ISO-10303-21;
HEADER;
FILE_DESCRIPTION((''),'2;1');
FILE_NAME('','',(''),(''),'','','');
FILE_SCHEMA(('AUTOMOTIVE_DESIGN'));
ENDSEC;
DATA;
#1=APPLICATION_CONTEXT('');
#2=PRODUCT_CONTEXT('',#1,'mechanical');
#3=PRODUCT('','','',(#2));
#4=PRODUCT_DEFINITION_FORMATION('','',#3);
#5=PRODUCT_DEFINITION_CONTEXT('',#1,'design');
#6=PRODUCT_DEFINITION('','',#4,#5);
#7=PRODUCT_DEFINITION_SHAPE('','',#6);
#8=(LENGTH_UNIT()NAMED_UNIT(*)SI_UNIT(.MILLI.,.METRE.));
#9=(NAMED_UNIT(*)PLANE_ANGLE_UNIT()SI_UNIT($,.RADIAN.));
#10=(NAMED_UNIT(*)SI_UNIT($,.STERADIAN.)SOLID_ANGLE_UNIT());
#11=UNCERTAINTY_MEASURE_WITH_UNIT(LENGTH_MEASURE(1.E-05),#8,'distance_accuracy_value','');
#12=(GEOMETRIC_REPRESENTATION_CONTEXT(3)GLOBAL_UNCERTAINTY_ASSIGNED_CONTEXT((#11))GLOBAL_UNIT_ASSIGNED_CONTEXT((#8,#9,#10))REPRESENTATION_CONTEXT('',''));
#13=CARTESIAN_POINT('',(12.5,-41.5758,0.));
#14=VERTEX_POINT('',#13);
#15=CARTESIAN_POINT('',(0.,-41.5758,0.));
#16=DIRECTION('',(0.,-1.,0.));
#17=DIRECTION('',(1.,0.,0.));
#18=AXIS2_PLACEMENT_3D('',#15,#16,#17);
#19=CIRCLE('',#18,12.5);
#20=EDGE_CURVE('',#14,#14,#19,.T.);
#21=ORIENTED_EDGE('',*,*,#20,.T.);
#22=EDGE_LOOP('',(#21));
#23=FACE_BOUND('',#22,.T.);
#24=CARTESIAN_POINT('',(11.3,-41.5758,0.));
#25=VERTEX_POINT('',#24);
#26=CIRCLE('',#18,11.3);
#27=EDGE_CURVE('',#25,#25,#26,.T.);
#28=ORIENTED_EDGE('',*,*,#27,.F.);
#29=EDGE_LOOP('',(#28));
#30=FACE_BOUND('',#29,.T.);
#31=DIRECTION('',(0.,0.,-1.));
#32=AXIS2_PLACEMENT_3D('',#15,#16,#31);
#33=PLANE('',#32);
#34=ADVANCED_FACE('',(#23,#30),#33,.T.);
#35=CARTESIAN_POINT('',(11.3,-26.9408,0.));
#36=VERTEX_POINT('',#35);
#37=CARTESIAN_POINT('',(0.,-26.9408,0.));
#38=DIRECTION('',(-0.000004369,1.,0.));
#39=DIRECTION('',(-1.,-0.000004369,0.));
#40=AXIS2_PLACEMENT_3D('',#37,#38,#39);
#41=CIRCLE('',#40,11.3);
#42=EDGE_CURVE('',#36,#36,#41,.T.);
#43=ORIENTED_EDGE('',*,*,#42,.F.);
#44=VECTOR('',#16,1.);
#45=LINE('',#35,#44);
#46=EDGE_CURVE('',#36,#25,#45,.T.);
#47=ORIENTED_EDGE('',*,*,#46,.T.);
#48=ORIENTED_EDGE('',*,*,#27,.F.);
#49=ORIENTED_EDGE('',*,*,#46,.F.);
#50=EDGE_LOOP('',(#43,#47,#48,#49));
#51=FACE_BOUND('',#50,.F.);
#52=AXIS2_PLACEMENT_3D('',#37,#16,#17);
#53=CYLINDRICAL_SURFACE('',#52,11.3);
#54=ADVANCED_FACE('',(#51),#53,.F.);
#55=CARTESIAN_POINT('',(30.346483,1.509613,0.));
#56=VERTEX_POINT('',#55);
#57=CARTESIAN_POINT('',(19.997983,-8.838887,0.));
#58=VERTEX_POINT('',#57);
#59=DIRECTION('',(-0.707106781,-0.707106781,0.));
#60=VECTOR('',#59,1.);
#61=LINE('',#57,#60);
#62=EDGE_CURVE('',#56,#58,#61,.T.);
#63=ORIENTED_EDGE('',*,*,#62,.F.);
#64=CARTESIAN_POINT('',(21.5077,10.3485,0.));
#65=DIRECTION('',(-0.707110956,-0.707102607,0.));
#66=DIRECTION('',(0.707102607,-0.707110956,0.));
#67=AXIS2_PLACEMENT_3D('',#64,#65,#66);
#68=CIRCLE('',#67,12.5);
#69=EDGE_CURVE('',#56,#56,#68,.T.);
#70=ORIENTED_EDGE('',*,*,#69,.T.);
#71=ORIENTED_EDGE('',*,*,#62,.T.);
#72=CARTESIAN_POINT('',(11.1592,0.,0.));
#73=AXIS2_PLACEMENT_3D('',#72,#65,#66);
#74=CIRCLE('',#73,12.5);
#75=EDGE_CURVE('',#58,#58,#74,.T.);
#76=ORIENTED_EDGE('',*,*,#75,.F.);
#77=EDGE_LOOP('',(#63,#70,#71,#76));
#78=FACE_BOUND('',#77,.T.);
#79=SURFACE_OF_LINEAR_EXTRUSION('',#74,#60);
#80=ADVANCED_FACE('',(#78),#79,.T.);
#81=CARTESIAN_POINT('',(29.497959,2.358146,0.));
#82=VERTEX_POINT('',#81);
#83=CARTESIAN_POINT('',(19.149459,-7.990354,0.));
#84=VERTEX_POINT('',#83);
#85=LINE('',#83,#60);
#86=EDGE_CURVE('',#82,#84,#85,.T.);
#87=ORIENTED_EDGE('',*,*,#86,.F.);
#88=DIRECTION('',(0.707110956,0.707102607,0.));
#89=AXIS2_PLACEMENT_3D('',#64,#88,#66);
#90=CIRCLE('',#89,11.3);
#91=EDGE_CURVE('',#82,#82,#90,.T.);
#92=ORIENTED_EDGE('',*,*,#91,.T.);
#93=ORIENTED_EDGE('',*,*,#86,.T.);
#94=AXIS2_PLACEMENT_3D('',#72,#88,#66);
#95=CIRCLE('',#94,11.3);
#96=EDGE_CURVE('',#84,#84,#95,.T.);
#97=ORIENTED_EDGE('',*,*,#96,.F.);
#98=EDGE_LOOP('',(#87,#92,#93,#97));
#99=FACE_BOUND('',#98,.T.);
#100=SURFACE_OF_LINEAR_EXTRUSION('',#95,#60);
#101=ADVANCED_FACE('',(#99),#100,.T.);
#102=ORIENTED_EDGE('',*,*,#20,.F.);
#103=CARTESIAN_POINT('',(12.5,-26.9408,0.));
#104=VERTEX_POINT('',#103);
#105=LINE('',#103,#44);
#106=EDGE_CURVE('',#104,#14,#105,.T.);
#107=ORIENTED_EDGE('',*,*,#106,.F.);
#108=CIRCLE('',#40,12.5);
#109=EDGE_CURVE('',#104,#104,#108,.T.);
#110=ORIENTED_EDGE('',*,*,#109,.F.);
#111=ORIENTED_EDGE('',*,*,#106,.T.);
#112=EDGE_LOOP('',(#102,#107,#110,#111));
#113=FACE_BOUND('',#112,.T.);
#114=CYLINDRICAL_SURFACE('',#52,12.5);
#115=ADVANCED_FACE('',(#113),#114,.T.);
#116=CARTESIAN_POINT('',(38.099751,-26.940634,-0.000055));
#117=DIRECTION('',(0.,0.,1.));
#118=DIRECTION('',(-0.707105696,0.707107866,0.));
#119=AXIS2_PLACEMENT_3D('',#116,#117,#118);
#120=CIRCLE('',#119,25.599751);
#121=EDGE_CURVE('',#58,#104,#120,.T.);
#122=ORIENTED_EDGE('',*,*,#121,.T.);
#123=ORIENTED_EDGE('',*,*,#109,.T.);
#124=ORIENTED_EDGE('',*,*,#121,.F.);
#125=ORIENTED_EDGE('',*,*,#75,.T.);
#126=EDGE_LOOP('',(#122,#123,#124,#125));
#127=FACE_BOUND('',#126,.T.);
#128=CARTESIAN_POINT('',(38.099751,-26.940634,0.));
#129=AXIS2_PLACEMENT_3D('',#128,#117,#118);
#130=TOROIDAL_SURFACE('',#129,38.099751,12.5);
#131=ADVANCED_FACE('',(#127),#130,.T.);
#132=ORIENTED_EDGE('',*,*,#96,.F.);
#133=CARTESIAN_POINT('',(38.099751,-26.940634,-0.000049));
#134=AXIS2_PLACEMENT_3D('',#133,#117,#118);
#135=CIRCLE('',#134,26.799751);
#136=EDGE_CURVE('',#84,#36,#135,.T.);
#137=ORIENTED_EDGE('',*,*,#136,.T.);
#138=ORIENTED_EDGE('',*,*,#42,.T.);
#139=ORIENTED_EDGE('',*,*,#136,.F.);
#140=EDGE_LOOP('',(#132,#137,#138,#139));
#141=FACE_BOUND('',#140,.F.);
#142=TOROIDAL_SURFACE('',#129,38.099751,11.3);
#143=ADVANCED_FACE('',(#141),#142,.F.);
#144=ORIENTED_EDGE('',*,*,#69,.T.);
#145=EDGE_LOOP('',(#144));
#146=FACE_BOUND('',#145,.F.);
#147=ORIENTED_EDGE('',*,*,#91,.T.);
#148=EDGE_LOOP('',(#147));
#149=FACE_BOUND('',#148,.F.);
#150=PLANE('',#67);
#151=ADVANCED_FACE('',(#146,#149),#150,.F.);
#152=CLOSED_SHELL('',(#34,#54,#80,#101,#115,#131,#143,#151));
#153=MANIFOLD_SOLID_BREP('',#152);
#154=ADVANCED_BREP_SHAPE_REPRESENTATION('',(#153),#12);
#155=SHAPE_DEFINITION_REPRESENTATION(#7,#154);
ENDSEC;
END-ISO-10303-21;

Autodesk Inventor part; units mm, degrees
ref_plane "YZ Plane" through (0, 0, 0) normal (1, 0, 0) x (0, 1, 0)
ref_plane "XZ Plane" through (0, 0, 0) normal (0, 1, 0) x (-1, 0, 0)
sketch "Szkic6" plane through (0, 0, 0) normal (0, 0, 1) x (1, 0, 0)
  line L0 (-29.6067, 0) -> (35.2678, 0) construction
  line L1 (0, 42.3419) -> (0, -58.3726) construction
  arc A0 (11.1592, 0) -> (0, -26.9408) centre (38.1, -26.9408) ccw
  line L2 (0, -26.9408) -> (38.1, -26.9408) construction
  line L3 (38.1, -26.9408) -> (-8.2389, 19.3981) construction
  line L4 (11.1592, 0) -> (21.5077, 10.3485)
  line L5 (0, -26.9408) -> (0, -41.5758)
  point P0 (0, 0)
  dimension "d24" = 38.1
  dimension "d31" = 45
  dimension "d36" = 14.635
  dimension "d37" = 14.635
ref_plane "Płaszczyzna konstrukcyjna2" through (0, -26.9408, 0) normal (0, -1, 0) x (1, 0, 0)
sketch "Szkic8" plane through (0, -26.9408, 0) normal (0, -1, 0) x (1, 0, 0)
  circle A0 centre (0, 0) radius 12.5
  circle A1 centre (0, 0) radius 11.3
  dimension "d32" = 25
  dimension "d33" = 1.2
sweep "Przeciągnięcie2" add profiles "Szkic8" path "Szkic6"
equation "\"d32\" = OD"
equation "\"d33\" = THK"
equation "\"d24\" = R"
equation "\"d31\" = KAT"
equation "\"d36\" = PROSTKA"
equation "\"d37\" = PROSTKA"
equation "\"SzerokośćGięciaPodcięcia\" = Grubość"
equation "\"RozmiarPodcięciaNarożnika\" = 4 * Grubość"
equation "\"PromieńPrzejścia\" = PromieńGięcia"
equation "\"Rozmiar_promienia_Jacobiego\" = PromieńGięcia"
equation "\"Wielk_odstępu\" = Grubość"
equation "\"d2\" = PromieńGięcia"
equation "\"d23\" = PromieńGięcia"
equation "\"R\" = 38.1"
equation "\"OD\" = 25"
equation "\"THK\" = 1.2"
equation "\"KAT\" = 45deg"
equation "\"PROSTKA\" = 14.635"
equation "\"Grubość\" = 1.5"
equation "\"PromieńGięcia\" = 3"
properties part number "Kolano 45° ø25x1,2 R38,1" material "304L"
